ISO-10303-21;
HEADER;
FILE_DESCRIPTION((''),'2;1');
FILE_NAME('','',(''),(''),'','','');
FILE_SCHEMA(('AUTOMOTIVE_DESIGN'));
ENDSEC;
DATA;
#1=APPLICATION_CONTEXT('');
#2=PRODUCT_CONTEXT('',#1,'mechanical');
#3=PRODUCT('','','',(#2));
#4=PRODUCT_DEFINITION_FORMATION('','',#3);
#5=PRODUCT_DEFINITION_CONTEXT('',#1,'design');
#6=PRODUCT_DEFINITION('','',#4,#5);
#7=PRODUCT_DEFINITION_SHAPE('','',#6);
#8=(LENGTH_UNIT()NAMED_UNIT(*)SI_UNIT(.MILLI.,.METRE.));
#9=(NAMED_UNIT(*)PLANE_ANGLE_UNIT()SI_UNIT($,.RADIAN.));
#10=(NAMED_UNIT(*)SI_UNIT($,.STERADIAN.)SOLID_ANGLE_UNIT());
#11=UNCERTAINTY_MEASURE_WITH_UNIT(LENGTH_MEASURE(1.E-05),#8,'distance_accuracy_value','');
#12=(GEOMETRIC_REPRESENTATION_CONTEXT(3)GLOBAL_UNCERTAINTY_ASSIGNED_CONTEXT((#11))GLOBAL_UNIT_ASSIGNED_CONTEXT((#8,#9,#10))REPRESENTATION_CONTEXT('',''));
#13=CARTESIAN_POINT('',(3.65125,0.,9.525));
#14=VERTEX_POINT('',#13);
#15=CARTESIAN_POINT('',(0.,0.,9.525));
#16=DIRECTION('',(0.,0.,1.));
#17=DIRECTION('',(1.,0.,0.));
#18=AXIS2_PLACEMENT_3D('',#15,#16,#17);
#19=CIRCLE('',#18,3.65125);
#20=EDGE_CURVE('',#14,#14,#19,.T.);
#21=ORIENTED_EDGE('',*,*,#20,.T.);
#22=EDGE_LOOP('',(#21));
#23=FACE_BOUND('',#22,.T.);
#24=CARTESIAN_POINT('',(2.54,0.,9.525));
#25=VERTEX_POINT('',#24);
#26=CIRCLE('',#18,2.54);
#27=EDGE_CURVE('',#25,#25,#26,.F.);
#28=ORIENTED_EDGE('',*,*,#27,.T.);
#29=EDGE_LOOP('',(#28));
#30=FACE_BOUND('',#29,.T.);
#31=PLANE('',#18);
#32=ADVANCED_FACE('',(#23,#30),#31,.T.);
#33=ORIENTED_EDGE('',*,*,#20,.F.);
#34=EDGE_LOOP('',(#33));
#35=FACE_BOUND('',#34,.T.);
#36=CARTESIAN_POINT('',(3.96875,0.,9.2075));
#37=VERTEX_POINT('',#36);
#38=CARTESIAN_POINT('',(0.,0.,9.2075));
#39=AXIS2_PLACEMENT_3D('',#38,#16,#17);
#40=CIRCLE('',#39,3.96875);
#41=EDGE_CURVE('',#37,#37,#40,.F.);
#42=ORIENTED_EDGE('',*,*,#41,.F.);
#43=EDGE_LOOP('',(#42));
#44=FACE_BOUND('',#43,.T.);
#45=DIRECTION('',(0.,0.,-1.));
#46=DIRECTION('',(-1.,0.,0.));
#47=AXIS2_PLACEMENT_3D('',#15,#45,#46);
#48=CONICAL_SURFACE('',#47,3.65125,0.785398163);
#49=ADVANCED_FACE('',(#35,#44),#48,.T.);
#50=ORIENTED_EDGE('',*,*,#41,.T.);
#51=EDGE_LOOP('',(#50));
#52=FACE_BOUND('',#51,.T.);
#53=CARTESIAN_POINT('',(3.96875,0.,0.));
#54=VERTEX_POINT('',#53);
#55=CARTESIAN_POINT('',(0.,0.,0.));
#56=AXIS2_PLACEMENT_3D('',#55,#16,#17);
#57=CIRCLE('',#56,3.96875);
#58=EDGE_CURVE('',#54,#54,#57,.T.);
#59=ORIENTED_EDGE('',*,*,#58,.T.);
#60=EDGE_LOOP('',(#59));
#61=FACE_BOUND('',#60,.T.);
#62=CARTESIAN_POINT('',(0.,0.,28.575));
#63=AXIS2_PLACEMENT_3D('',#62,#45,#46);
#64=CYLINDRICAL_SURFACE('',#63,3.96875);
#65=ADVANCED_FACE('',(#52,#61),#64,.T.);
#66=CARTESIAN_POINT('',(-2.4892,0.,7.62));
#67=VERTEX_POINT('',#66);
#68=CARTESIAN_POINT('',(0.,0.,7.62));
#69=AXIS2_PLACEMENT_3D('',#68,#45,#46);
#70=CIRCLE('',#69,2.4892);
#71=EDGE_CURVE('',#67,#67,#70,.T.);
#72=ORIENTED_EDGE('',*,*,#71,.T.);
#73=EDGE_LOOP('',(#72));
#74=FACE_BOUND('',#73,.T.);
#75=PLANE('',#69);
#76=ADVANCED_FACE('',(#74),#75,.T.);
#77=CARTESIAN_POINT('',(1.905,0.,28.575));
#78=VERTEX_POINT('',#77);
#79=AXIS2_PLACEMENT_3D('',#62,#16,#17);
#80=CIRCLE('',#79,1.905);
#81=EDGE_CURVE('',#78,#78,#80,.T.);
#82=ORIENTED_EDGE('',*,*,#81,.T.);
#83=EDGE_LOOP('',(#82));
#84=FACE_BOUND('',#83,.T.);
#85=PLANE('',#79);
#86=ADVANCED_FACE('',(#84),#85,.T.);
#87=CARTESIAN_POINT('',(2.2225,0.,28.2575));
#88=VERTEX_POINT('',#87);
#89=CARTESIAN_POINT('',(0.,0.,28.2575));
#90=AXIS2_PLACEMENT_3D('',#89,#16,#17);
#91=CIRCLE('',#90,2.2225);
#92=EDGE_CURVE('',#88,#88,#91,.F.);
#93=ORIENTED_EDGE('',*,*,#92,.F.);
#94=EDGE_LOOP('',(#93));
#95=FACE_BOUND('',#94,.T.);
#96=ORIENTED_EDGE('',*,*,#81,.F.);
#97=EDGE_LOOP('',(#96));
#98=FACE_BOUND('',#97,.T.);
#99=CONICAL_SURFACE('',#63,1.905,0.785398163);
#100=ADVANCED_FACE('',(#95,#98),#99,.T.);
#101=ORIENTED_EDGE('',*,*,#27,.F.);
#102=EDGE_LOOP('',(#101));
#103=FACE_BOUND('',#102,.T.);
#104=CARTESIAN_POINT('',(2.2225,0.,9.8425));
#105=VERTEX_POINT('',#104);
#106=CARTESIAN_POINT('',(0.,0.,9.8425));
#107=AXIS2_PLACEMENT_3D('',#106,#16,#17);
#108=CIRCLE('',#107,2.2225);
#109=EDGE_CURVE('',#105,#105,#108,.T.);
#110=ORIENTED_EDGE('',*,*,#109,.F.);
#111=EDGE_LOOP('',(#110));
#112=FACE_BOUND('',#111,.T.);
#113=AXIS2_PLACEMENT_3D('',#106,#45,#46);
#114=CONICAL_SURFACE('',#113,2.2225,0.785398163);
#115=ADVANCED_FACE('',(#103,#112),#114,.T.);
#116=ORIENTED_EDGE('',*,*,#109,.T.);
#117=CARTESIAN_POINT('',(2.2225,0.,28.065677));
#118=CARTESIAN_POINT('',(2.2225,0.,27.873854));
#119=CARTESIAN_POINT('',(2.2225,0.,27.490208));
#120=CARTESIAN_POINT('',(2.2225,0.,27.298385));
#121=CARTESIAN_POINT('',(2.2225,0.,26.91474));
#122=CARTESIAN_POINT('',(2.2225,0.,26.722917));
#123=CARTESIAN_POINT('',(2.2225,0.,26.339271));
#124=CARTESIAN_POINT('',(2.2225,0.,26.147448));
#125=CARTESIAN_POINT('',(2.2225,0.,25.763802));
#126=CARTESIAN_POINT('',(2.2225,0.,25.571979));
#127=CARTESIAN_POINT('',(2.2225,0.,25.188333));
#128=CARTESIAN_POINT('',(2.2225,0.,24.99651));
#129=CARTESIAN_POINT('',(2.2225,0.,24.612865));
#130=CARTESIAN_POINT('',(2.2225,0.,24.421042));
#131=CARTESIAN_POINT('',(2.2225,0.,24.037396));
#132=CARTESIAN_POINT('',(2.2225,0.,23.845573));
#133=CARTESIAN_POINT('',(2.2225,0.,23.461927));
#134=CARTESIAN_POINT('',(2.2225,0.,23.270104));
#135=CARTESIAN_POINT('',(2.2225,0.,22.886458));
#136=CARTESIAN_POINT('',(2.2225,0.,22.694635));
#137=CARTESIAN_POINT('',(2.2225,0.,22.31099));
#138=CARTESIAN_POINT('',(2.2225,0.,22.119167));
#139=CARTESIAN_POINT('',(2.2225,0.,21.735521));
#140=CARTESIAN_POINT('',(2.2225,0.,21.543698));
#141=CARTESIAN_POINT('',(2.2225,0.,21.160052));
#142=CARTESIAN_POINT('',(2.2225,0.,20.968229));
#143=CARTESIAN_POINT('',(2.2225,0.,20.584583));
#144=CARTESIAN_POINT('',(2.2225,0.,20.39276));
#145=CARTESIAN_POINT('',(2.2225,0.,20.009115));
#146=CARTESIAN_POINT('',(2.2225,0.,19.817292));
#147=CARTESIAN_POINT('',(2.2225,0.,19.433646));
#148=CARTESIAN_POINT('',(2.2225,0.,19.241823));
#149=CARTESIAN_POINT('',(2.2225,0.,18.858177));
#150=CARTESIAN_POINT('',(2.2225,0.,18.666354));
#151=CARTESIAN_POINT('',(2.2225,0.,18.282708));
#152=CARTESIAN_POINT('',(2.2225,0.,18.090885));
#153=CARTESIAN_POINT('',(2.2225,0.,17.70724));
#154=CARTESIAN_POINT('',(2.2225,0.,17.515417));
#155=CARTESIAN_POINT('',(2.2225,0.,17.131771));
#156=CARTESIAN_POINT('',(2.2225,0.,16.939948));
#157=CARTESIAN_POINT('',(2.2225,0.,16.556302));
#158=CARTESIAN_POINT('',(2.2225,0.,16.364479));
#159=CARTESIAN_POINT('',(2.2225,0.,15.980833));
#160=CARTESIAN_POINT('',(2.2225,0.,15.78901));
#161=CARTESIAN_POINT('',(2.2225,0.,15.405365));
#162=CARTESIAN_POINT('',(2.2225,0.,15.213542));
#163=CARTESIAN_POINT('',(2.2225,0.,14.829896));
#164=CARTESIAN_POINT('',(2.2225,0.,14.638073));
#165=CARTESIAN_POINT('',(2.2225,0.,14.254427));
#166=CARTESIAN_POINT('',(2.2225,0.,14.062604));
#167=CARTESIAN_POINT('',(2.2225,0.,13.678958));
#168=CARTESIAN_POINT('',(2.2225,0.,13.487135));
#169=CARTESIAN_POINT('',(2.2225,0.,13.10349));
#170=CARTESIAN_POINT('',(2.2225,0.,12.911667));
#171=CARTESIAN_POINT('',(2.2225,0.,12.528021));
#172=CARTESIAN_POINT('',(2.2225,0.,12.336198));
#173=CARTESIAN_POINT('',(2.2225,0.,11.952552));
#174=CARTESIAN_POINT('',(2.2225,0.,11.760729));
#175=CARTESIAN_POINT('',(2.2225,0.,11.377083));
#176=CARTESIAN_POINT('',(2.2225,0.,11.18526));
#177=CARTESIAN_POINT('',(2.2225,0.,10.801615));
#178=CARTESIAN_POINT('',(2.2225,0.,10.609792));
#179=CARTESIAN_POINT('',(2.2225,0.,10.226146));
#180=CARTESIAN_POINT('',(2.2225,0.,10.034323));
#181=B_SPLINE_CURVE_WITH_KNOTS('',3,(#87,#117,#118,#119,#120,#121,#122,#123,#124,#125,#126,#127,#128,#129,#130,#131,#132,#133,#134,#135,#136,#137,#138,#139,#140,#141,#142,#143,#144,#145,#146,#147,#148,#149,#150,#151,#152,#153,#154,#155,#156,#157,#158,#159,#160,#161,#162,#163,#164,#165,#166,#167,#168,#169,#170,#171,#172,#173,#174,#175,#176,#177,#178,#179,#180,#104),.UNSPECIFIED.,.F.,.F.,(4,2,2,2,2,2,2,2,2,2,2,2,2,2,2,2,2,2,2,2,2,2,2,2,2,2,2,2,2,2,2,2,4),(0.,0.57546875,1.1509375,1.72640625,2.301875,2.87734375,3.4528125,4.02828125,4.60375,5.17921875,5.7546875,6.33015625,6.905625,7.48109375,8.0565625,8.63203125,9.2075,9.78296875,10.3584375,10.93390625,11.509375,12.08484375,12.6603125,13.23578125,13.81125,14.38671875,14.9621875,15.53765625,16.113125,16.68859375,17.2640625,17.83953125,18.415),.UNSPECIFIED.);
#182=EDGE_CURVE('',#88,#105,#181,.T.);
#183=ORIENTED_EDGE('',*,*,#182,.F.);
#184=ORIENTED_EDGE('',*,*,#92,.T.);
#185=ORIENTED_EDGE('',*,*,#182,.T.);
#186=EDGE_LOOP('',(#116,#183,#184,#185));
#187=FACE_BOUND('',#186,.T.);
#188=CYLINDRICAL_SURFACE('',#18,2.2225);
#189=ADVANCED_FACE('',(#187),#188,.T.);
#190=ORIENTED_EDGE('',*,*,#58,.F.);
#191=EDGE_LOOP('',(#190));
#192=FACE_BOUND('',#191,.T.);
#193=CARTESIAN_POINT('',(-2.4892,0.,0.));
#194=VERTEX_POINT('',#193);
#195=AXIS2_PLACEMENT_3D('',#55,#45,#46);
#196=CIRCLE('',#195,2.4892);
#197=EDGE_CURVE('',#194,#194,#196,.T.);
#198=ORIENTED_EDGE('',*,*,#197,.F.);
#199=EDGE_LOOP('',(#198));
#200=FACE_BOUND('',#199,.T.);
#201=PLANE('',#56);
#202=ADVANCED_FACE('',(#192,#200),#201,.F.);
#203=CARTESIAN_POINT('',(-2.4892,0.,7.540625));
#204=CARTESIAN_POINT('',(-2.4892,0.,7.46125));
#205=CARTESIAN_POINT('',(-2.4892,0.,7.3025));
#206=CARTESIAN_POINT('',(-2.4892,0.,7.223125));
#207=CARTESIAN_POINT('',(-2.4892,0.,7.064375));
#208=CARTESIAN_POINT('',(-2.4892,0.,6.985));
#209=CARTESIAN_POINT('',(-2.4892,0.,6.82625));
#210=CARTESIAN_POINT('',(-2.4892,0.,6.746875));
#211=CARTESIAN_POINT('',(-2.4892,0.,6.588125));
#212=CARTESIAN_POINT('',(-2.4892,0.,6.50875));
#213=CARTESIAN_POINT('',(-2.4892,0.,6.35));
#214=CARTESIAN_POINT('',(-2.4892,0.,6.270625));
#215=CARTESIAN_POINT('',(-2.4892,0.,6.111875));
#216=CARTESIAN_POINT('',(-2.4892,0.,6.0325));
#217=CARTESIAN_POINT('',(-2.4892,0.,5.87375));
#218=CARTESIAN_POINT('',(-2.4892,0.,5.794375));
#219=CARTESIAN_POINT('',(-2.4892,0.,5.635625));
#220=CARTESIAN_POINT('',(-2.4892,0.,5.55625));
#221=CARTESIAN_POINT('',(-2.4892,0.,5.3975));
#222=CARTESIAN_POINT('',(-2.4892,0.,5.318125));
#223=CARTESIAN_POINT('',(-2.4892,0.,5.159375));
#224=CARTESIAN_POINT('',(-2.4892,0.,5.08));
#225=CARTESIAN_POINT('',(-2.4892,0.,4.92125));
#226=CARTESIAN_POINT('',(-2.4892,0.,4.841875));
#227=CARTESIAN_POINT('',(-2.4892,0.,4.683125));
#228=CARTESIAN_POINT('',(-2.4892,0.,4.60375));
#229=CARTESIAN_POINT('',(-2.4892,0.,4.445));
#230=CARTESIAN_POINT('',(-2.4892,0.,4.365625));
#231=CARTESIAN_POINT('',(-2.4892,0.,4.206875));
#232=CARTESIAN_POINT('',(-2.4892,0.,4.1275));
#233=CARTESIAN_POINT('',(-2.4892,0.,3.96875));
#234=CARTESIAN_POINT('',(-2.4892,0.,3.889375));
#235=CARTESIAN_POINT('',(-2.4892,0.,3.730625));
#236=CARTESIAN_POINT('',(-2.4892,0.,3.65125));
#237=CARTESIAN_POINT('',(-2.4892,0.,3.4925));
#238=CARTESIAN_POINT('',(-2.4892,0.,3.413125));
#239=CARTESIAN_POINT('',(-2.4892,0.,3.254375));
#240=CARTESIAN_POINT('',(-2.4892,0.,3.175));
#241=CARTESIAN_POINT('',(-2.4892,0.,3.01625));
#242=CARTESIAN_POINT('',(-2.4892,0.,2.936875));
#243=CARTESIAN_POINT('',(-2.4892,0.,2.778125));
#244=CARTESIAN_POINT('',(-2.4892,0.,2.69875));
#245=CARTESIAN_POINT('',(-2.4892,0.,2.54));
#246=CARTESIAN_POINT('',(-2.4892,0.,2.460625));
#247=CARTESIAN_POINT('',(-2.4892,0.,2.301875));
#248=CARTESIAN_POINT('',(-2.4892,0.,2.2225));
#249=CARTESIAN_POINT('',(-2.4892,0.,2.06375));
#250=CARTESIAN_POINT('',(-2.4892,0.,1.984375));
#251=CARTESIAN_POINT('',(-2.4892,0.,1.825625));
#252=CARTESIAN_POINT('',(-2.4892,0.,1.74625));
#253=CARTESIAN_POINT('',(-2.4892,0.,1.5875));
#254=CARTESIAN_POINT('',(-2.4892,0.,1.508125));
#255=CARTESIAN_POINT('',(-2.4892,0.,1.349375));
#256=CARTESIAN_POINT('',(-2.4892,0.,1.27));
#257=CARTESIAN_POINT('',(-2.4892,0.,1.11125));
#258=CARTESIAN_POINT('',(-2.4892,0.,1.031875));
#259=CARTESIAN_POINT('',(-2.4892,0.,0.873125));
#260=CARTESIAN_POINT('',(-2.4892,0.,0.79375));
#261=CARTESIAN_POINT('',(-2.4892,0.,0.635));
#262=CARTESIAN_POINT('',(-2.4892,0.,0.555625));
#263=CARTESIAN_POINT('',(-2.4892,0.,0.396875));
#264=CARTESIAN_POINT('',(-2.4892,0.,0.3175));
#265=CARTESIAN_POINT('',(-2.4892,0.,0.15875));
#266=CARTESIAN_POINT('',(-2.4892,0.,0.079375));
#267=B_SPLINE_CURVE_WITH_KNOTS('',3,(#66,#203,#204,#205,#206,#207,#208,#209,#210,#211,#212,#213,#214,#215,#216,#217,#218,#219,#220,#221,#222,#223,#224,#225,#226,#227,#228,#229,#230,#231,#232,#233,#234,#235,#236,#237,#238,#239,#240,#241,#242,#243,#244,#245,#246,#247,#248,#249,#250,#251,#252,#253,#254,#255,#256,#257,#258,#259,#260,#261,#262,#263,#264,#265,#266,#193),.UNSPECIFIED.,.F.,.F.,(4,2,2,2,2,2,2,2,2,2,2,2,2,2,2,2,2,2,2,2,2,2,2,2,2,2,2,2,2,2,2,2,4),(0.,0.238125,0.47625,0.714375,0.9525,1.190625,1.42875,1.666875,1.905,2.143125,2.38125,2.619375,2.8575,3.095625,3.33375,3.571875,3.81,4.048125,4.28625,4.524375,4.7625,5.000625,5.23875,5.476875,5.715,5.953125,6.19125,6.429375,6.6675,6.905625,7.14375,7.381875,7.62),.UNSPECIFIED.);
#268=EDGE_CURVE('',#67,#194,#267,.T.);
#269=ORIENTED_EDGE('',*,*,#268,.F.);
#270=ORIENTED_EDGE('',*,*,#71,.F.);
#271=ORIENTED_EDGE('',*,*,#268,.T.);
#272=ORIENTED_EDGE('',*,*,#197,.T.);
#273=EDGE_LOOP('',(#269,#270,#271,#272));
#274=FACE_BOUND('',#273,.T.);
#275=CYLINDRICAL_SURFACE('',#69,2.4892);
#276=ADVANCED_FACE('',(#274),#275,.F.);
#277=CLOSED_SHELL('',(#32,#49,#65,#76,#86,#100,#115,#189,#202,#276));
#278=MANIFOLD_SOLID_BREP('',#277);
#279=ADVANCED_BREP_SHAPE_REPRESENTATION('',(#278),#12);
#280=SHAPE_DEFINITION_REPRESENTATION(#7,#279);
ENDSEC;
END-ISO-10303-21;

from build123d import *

# Parameters (mm, degrees)
SKETCH1_R           = 3.96875
BOSS_EXTRUDE1_DEPTH = 28.575
CUT_EXTRUDE1_START  = -19.05
SKETCH2_R           = 3.96875
SKETCH2_R_2         = 2.2225
CUT_EXTRUDE1_DEPTH  = 19.05
SKETCH3_R           = 2.4892
CUT_EXTRUDE2_DEPTH  = 7.62
CHAMFER1_SIZE       = 0.3175


with BuildPart() as part:
    # Sketch1 → Boss-Extrude1 (new body)
    with BuildSketch(Plane.XY):
        Circle(SKETCH1_R)
    extrude(amount=BOSS_EXTRUDE1_DEPTH)

    # Sketch2 → Cut-Extrude1 (cut)
    with BuildSketch(Plane.XY.offset(28.575).offset(CUT_EXTRUDE1_START)):
        Circle(SKETCH2_R)
        Circle(SKETCH2_R_2, mode=Mode.SUBTRACT)
    extrude(amount=CUT_EXTRUDE1_DEPTH, mode=Mode.SUBTRACT)

    # Sketch3 → Cut-Extrude2 (cut)
    with BuildSketch(Plane(origin=(0, 0, 0), x_dir=(-1, 0, 0), z_dir=(0, 0, -1))):
        Circle(SKETCH3_R)
    extrude(amount=-CUT_EXTRUDE2_DEPTH, mode=Mode.SUBTRACT)

    # Chamfer1
    chamfer1_edges = [part.edges().sort_by_distance(p)[0] for p in [
        (-2.2225, 0, 28.575),
        (-3.96875, 0, 9.525),
        (-2.2225, 0, 9.525),
    ]]
    chamfer(chamfer1_edges, length=CHAMFER1_SIZE)


solid = part.part
